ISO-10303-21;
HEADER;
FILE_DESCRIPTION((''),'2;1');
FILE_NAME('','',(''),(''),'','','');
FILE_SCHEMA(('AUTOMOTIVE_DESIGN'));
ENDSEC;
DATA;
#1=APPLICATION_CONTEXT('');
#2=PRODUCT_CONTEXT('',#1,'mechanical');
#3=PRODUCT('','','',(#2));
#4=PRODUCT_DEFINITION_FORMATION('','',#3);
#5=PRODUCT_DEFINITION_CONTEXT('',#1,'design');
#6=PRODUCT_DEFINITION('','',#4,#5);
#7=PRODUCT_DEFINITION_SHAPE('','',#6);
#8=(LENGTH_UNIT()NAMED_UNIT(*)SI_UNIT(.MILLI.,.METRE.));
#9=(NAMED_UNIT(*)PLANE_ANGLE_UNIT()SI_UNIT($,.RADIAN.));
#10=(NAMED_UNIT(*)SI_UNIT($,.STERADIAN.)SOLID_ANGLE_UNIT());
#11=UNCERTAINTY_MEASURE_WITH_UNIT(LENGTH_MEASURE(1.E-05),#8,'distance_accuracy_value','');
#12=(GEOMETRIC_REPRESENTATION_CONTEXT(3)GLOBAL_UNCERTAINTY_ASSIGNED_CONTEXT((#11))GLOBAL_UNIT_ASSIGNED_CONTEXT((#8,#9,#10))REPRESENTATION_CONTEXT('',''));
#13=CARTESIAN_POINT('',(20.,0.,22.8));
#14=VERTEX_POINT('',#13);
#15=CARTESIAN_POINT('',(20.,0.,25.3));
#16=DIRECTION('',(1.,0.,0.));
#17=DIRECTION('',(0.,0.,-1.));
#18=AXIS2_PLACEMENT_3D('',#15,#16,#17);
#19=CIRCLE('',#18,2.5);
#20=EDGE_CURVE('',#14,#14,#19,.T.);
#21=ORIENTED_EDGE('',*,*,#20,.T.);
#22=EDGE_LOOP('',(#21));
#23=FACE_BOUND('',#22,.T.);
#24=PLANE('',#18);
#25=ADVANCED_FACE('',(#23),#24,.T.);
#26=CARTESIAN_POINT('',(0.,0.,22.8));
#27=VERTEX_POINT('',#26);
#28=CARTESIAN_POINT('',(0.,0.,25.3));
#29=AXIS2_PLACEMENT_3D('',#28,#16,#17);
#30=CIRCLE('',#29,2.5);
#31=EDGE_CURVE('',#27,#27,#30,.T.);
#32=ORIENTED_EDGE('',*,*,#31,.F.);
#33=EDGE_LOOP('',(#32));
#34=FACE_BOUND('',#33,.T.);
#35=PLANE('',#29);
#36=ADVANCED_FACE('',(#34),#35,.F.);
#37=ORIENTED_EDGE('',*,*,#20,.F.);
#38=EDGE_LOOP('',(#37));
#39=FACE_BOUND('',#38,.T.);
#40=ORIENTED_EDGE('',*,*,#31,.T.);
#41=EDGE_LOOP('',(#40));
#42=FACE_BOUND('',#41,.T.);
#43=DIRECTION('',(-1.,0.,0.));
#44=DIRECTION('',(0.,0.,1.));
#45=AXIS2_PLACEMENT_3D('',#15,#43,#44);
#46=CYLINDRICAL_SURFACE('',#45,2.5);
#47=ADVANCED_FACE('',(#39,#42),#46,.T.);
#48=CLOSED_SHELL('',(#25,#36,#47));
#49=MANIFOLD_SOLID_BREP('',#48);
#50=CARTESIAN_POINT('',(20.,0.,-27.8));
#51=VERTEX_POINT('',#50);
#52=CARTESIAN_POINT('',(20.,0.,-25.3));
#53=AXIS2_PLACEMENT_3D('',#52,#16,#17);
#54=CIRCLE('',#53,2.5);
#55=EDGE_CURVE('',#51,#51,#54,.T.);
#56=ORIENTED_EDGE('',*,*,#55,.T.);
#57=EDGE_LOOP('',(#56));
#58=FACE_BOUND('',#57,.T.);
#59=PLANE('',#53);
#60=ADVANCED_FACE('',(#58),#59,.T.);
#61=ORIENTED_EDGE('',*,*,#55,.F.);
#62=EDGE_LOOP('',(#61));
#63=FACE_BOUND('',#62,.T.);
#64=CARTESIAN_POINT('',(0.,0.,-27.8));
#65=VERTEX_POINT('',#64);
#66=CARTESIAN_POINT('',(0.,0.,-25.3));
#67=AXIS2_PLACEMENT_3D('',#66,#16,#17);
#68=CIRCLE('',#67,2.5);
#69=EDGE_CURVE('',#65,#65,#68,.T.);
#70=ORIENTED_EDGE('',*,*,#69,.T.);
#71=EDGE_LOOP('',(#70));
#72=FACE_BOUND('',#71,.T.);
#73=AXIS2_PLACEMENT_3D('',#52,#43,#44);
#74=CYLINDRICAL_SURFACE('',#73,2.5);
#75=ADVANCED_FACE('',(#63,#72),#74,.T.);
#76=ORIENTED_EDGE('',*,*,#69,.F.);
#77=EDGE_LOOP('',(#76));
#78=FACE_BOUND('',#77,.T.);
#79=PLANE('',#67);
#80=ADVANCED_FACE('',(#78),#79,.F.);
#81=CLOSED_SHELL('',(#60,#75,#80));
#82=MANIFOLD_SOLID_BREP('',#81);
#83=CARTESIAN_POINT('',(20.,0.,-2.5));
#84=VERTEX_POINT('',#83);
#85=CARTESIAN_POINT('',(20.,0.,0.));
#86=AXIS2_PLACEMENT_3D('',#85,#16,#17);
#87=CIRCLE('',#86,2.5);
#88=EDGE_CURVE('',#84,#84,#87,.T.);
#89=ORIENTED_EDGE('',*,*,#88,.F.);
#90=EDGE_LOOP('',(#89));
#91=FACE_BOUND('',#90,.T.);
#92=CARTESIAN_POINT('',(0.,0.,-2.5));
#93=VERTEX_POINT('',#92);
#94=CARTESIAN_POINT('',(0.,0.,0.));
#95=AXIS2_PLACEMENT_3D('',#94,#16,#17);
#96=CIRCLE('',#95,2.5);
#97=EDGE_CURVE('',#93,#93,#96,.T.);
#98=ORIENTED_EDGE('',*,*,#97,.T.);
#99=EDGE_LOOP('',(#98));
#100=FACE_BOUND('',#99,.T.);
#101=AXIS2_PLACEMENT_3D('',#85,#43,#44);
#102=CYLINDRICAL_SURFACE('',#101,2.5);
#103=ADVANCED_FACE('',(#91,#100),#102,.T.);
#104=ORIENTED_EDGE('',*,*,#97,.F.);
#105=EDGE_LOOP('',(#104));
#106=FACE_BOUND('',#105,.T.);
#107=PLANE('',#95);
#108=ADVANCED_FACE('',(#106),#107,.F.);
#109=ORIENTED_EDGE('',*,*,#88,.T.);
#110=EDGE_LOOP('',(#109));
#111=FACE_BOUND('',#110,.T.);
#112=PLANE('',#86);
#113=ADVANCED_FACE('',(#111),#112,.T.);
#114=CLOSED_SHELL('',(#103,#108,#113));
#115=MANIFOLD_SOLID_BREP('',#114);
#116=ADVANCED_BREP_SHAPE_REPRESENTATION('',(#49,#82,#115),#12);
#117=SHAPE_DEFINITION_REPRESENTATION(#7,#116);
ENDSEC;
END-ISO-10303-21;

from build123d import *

# Parameters (mm, degrees)
SKETCH1_R             = 2.5
BOSS_EXTRUDE1_DEPTH   = 20
BOSS_EXTRUDE1_2_DEPTH = 20
BOSS_EXTRUDE1_3_DEPTH = 20


with BuildPart() as part:
    # Sketch1 → Boss-Extrude1 (new body)
    with BuildSketch(Plane(origin=(0, 0, 0), x_dir=(0, 0, -1), z_dir=(1, 0, 0))):
        Circle(SKETCH1_R)
    extrude(amount=BOSS_EXTRUDE1_DEPTH)


with BuildPart() as body_2:
    # Sketch1 → Boss-Extrude1 2 (new body)
    with BuildSketch(Plane(origin=(0, 0, 0), x_dir=(0, 0, -1), z_dir=(1, 0, 0))):
        with Locations((-25.3, 0)):
            Circle(SKETCH1_R)
    extrude(amount=BOSS_EXTRUDE1_2_DEPTH)


with BuildPart() as body_3:
    # Sketch1 → Boss-Extrude1 3 (new body)
    with BuildSketch(Plane(origin=(0, 0, 0), x_dir=(0, 0, -1), z_dir=(1, 0, 0))):
        with Locations((25.3, 0)):
            Circle(SKETCH1_R)
    extrude(amount=BOSS_EXTRUDE1_3_DEPTH)


solid = Compound([part.part, body_2.part, body_3.part])
